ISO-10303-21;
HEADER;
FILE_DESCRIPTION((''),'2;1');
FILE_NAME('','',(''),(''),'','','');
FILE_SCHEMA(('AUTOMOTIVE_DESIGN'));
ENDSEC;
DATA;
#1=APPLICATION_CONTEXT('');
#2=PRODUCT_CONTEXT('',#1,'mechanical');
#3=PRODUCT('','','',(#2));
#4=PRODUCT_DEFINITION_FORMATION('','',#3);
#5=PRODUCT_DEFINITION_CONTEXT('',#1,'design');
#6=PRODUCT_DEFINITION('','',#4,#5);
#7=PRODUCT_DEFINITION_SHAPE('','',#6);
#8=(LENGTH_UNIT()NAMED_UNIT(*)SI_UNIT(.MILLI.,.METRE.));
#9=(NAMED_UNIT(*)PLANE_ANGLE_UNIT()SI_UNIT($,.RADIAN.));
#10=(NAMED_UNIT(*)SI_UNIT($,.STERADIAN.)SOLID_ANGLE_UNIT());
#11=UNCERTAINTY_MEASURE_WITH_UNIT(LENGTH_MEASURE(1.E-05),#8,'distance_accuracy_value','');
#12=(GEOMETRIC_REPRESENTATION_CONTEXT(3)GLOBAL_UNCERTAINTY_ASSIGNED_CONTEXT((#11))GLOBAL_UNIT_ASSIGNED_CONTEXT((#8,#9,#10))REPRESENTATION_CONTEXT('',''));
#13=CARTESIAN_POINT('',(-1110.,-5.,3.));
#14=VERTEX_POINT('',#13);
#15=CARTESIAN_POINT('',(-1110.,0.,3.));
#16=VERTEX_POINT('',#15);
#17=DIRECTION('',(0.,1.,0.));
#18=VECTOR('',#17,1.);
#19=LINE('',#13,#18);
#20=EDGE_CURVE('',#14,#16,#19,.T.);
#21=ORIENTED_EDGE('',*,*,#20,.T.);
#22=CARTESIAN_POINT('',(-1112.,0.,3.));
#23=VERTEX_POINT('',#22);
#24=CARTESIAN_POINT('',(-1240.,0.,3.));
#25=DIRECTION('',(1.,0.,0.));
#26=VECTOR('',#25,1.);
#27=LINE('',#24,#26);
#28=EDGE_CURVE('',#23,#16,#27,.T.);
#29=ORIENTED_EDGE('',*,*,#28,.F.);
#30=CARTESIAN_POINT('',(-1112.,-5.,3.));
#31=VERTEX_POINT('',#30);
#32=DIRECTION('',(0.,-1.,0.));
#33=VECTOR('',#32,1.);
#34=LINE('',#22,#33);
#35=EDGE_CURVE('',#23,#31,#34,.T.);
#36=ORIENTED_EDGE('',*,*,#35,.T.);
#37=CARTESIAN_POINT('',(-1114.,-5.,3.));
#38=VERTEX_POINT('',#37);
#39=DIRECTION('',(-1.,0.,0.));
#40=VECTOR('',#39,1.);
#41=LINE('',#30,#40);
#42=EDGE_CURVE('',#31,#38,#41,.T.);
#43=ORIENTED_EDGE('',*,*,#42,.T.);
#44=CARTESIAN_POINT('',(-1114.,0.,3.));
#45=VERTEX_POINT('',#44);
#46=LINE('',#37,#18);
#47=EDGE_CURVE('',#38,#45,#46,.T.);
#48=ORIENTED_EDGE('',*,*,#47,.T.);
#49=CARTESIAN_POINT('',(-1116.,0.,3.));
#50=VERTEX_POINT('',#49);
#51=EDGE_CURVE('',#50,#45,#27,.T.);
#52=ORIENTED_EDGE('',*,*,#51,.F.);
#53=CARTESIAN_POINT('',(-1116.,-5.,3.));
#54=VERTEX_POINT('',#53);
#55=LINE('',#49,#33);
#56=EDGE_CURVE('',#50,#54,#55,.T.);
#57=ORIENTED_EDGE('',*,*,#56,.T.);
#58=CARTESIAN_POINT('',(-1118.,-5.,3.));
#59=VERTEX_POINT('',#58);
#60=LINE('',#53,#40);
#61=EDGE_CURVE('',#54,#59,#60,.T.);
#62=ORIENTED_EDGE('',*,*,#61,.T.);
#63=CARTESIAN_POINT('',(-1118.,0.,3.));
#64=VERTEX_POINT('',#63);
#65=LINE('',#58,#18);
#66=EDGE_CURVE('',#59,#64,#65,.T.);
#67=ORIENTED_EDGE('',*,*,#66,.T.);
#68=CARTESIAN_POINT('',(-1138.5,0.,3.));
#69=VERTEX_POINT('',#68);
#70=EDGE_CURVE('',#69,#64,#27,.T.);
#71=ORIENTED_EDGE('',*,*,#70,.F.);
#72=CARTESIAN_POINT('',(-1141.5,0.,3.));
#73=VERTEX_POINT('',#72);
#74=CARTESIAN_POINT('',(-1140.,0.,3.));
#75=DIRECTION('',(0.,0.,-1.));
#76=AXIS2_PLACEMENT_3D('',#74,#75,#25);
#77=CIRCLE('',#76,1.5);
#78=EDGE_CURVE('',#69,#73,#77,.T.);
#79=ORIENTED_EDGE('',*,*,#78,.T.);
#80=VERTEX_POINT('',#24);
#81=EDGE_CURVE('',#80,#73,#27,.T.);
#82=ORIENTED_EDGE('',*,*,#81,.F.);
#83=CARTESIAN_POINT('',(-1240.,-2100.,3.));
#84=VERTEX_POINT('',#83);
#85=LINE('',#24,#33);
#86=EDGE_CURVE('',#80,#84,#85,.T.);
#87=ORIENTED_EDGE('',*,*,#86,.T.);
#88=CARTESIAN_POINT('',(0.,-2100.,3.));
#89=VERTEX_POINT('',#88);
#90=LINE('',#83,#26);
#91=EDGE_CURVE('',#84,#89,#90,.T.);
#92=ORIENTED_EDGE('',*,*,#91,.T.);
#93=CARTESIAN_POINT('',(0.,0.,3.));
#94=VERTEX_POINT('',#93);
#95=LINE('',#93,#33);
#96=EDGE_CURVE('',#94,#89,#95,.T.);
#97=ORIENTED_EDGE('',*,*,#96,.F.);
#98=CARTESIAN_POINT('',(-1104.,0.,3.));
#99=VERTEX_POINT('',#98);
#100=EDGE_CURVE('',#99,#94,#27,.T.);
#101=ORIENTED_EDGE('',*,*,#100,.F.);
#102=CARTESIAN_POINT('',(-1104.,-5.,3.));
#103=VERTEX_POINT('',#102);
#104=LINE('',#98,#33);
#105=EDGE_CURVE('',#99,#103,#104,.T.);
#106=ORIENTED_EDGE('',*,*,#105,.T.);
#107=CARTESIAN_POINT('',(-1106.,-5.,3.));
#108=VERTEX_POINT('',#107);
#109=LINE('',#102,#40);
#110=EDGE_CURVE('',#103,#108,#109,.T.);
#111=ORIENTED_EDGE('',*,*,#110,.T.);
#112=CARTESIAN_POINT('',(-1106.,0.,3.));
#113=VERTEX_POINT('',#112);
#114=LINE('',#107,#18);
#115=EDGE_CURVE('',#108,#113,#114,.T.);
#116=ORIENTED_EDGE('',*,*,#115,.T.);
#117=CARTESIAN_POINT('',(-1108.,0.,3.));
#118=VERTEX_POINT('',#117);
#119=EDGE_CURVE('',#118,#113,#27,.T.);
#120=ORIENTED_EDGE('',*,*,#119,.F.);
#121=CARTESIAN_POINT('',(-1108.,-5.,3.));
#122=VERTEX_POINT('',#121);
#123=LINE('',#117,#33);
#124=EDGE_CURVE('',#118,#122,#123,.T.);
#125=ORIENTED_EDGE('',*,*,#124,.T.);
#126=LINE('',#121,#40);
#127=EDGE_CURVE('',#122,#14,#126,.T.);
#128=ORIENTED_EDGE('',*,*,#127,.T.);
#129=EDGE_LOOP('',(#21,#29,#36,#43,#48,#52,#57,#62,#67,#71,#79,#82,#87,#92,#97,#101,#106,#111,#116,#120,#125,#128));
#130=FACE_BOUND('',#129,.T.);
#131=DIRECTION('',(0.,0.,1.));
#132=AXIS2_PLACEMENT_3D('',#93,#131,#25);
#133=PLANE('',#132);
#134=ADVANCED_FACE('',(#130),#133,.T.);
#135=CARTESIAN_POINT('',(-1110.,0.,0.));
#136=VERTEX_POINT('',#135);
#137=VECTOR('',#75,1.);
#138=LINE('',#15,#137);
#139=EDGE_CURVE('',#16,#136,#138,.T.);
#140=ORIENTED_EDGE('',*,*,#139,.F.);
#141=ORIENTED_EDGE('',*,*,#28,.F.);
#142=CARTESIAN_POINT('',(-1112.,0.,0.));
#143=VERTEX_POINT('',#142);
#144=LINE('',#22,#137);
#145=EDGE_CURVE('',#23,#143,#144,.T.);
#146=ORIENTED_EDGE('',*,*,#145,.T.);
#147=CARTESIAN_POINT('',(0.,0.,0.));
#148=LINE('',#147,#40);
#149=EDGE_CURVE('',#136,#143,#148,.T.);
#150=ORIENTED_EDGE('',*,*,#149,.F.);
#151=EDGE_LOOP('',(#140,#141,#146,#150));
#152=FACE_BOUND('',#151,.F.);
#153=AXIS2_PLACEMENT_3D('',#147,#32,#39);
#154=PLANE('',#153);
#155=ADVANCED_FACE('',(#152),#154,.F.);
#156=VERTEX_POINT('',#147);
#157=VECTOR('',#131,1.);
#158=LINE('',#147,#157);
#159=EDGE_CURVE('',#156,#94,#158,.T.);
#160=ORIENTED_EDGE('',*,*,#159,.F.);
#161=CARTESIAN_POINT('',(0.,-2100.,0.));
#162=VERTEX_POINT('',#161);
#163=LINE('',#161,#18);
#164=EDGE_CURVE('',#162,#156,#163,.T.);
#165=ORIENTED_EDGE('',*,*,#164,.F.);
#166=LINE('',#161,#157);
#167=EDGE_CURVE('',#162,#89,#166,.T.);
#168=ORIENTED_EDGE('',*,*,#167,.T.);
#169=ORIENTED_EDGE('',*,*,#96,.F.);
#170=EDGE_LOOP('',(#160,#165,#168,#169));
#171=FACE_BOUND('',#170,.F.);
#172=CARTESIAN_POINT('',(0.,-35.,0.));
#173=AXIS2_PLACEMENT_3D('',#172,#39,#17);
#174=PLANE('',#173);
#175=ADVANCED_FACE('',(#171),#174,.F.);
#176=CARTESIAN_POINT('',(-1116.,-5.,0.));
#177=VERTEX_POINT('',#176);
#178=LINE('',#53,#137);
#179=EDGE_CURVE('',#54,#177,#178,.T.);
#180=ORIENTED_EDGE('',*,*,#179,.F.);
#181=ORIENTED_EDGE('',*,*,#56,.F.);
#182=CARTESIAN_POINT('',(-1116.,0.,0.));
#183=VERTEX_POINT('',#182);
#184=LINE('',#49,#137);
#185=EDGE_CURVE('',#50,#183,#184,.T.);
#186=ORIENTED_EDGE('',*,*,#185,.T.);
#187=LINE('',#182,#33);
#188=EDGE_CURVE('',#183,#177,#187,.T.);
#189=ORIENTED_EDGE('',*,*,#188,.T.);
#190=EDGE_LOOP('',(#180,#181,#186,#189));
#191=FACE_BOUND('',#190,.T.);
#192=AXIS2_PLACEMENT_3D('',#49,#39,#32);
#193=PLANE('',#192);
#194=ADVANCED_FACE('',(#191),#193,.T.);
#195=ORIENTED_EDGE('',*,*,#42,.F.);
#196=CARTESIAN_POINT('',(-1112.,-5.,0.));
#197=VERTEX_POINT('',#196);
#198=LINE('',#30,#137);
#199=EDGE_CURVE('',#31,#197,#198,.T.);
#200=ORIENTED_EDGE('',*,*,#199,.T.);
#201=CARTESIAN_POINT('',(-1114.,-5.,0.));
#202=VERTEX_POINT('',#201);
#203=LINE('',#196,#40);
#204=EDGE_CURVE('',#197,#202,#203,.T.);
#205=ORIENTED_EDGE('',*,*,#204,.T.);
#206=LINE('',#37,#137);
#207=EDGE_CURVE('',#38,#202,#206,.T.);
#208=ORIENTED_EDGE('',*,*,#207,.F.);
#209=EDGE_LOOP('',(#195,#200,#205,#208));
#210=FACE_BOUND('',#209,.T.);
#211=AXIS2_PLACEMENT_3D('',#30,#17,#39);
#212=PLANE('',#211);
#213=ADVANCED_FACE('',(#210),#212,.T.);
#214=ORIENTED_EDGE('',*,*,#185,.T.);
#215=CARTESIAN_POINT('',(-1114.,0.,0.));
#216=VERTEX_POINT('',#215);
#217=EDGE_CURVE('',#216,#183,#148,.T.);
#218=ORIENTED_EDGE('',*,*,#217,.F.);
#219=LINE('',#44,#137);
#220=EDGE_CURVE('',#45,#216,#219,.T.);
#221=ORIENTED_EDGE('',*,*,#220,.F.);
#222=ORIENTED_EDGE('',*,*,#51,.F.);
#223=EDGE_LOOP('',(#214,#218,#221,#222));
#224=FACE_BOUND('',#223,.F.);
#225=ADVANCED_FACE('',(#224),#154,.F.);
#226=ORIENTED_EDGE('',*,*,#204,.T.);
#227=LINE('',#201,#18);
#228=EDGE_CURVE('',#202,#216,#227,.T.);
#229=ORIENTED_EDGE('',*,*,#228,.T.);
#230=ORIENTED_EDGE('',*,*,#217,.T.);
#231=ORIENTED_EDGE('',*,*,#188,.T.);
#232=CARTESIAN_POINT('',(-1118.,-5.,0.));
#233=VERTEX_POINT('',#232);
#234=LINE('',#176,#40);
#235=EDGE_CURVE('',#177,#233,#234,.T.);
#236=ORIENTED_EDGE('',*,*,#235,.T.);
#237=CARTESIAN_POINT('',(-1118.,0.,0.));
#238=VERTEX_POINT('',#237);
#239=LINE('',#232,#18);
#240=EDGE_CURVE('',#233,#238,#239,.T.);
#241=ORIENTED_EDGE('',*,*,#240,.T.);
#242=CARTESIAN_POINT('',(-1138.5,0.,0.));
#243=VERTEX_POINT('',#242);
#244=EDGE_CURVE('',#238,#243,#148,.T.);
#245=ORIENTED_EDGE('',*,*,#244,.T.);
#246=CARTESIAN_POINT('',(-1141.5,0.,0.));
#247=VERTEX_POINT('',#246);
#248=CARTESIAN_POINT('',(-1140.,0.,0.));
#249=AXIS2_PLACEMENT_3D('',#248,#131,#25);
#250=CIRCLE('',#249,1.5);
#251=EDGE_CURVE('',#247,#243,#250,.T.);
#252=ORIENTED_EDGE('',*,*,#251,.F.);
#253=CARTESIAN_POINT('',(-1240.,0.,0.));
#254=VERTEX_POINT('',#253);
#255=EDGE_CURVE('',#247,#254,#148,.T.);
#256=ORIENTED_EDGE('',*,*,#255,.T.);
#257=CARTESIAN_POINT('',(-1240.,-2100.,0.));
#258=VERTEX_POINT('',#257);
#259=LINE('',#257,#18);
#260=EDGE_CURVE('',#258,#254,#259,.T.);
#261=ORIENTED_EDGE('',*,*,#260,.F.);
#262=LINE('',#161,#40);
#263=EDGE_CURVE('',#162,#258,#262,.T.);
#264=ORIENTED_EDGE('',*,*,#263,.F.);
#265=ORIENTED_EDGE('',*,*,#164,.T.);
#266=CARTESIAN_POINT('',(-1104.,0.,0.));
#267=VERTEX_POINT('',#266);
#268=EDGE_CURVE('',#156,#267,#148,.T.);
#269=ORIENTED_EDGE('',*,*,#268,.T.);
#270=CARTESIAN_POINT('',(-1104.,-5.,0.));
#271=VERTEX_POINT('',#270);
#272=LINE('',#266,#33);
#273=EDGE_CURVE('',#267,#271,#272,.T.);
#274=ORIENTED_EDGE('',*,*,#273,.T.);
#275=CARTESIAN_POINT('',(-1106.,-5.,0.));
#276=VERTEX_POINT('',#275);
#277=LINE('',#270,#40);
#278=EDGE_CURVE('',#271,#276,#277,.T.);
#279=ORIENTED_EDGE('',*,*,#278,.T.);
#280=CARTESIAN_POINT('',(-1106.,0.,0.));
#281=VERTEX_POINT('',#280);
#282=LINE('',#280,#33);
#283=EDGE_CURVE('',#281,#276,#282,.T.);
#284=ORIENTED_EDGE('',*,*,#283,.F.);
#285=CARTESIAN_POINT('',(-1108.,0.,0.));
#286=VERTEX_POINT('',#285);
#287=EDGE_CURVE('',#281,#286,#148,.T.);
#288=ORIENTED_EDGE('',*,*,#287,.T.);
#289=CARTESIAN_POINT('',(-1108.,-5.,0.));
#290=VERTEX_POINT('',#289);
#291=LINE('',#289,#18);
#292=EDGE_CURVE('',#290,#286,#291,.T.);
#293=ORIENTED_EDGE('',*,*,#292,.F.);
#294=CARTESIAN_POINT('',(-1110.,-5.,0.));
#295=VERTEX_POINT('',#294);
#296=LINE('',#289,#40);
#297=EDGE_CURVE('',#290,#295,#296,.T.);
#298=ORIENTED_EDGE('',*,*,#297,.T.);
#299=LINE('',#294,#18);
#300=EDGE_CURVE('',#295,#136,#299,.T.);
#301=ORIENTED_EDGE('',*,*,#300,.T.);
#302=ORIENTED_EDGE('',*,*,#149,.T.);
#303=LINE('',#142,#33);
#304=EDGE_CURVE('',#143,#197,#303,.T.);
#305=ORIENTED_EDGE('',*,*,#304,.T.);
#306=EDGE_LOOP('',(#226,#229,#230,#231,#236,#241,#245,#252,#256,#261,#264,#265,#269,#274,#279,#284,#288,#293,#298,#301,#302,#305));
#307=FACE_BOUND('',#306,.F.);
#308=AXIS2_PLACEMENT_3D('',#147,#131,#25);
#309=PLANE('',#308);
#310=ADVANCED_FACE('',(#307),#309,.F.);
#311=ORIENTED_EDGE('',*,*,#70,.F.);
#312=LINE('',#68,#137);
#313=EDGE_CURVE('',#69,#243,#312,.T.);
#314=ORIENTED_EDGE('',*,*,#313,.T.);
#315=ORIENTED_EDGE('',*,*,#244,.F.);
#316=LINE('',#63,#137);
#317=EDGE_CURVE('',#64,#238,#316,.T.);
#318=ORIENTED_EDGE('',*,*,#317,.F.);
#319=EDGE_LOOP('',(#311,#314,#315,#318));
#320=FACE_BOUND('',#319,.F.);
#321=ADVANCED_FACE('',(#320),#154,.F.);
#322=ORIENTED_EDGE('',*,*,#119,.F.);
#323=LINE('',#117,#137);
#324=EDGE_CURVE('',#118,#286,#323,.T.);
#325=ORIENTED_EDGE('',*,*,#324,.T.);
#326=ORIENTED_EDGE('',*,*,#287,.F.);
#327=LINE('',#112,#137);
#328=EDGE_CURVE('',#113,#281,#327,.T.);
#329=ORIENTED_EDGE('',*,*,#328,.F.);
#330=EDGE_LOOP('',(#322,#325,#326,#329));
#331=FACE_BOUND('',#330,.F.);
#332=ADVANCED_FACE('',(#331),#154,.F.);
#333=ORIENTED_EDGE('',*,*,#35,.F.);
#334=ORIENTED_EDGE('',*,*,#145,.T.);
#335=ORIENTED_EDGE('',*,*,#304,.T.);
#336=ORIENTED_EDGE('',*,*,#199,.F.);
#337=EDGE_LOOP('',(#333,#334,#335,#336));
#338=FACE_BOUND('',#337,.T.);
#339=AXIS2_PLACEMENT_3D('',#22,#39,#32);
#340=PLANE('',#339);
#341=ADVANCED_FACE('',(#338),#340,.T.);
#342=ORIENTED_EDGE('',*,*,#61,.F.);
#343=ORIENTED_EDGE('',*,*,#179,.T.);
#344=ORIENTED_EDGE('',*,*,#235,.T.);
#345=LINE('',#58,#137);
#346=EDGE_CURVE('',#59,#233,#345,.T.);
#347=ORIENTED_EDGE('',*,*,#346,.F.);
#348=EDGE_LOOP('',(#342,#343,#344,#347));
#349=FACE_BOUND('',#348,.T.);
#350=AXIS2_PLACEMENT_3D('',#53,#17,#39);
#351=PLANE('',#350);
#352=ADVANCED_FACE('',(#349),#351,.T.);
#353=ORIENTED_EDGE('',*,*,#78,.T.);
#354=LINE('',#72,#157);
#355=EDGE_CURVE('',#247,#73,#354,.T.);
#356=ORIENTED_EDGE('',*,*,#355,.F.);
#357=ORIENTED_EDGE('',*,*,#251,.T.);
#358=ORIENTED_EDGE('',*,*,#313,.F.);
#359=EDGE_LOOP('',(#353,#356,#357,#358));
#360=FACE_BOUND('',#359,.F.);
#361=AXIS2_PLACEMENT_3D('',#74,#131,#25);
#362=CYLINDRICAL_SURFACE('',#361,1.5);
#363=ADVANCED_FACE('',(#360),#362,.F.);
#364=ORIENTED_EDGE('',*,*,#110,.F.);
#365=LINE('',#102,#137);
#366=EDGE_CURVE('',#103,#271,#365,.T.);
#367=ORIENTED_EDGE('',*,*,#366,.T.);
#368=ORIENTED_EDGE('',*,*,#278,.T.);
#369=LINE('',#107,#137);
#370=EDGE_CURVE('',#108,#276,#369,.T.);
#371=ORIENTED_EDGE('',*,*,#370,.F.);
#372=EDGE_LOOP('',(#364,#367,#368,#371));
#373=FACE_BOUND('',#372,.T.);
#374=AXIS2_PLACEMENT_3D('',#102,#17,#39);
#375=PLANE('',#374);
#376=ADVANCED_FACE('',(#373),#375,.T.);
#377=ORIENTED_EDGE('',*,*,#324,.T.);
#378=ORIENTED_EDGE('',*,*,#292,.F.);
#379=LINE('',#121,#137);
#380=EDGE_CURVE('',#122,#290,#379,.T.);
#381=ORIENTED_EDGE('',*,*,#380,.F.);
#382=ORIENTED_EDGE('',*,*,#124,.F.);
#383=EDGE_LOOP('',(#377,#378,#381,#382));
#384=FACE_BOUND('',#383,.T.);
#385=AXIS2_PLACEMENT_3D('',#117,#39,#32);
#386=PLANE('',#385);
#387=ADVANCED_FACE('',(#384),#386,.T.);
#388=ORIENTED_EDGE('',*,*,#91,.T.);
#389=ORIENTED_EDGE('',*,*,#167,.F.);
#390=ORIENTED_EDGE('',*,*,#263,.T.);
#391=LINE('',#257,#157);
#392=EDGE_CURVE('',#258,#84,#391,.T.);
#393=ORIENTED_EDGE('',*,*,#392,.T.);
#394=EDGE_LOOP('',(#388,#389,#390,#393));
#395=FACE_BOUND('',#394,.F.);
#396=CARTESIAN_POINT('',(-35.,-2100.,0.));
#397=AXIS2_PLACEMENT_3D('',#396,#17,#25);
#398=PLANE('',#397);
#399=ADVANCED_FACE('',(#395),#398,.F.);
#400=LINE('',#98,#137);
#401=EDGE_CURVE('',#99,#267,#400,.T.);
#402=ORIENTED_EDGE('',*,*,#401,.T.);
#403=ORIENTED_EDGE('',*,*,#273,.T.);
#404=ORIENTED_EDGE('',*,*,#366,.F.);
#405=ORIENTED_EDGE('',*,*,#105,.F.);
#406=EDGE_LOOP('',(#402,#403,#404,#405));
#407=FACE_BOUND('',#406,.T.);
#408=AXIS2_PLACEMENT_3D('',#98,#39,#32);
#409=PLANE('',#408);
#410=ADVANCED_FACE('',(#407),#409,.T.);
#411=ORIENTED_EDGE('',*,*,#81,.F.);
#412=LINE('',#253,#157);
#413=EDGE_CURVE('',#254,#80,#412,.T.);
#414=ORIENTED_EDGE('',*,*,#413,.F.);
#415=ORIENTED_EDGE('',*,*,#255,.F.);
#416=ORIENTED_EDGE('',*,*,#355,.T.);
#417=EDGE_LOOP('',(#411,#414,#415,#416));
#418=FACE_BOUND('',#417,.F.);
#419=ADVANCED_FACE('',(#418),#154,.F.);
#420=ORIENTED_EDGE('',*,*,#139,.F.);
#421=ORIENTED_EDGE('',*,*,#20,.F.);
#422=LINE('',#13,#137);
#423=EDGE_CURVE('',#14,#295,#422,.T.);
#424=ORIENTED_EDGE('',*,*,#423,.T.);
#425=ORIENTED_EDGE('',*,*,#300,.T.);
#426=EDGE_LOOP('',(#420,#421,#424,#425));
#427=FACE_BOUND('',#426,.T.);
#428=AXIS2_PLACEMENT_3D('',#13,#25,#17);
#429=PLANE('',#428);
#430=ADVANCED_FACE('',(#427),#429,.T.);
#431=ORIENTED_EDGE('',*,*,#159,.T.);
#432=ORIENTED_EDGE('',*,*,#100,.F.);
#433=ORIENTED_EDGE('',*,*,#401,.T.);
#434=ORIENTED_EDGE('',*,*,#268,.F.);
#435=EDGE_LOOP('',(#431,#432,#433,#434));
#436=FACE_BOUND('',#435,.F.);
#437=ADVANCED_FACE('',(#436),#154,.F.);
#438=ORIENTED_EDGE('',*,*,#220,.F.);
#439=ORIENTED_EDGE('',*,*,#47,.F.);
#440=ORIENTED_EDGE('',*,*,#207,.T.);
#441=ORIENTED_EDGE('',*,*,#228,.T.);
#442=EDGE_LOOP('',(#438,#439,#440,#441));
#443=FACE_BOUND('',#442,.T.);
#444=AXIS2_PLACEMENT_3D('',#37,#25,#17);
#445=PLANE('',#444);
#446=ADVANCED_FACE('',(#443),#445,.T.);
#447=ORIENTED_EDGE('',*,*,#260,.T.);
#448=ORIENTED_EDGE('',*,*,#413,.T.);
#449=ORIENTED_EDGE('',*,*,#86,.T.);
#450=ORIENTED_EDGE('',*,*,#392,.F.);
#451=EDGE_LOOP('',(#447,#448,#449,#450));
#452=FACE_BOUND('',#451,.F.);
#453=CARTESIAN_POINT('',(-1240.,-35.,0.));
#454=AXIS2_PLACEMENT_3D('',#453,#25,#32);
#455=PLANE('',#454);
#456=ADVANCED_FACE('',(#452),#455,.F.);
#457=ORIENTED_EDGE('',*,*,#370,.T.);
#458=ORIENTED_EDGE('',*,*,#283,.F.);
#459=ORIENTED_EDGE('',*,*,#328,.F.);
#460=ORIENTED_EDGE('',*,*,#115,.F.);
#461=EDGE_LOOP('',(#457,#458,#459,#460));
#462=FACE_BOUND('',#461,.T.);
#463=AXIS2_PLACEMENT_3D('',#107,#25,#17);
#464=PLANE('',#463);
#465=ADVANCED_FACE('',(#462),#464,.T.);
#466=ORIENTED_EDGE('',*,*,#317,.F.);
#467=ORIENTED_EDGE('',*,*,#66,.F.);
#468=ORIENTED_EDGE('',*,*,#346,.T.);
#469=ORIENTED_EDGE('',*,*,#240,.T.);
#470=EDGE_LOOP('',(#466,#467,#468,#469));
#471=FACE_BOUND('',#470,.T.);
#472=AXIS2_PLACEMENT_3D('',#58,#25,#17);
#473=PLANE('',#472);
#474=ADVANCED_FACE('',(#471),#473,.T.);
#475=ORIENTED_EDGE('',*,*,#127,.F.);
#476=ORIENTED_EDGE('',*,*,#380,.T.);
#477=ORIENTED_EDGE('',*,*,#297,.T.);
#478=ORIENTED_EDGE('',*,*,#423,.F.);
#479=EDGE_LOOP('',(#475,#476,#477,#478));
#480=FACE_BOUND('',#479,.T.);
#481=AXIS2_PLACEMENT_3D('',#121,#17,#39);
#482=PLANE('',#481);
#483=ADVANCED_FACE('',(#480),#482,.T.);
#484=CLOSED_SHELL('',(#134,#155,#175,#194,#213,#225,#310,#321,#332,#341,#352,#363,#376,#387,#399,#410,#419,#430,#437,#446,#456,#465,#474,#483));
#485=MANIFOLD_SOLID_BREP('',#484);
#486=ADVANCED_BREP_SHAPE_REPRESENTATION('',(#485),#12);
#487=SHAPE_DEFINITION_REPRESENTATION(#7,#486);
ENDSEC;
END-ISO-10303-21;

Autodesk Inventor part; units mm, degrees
ref_plane "YZ Plane" through (0, 0, 0) normal (1, 0, 0) x (0, 1, 0)
ref_plane "XZ Plane" through (0, 0, 0) normal (0, 1, 0) x (-1, 0, 0)
ref_plane "XY Plane" through (0, 0, 0) normal (0, 0, 1) x (1, 0, 0)
sketch "Sketch1" plane through (0, 0, 0) normal (0, 0, 1) x (1, 0, 0)
  line L0 (0, 0) -> (-1240, 0)
  line L1 (-1240, 0) -> (-1240, -2100)
  line L2 (-1240, -2100) -> (0, -2100)
  line L3 (0, -2100) -> (0, 0)
  line L4 (0, 0) -> (-35, 0)
  line L5 (-35, 0) -> (-35, -35)
  line L6 (-35, -35) -> (0, -35)
  line L7 (0, -35) -> (0, 0)
  line L8 (0, -2100) -> (-35, -2100)
  line L9 (-35, -2100) -> (-35, -2065)
  line L10 (-35, -2065) -> (0, -2065)
  line L11 (0, -2065) -> (0, -2100)
  line L12 (-1240, 0) -> (-1205, 0)
  line L13 (-1205, 0) -> (-1205, -35)
  line L14 (-1205, -35) -> (-1240, -35)
  line L15 (-1240, -35) -> (-1240, 0)
  line L16 (-1240, -2100) -> (-1205, -2100)
  line L17 (-1205, -2100) -> (-1205, -2065)
  line L18 (-1205, -2065) -> (-1240, -2065)
  line L19 (-1240, -2065) -> (-1240, -2100)
  line L20 (-1095, -2100) -> (-1005, -2100)
  line L21 (-1005, -2100) -> (-1005, -2065)
  line L22 (-1005, -2065) -> (-1095, -2065)
  line L23 (-1095, -2065) -> (-1095, -2100)
  line L24 (-1095, 0) -> (-1005, 0)
  line L25 (-1005, 0) -> (-1005, -35)
  line L26 (-1005, -35) -> (-1095, -35)
  line L27 (-1095, -35) -> (-1095, 0)
  point P0 (0, -35)
  point P1 (0, -2065)
  point P2 (-1005, -2100)
  point P3 (-1005, 0)
  dimension "d22" = 1240
  dimension "d23" = 2100
  dimension "d24" = 35
  dimension "d25" = 35
  dimension "d28" = 90
  dimension "d29" = 970
extrude "Plate1" add sketch "Sketch1" along normal blind 3
sketch "Sketch5" plane through (0, 0, 3) normal (0, 0, 1) x (1, 0, 0)
  line L0 (-1135, 0) -> (-1133, 0)
  line L1 (-1131, 0) -> (-1129, 0)
  circle A0 centre (-1140, 0) radius 1.5
  line L2 (-1125, 0) -> (-1125, -5)
  line L3 (-1123, 0) -> (-1121.9884, -4.6072)
  arc A1 (-1121.9884, -4.6072) -> (-1121.0116, -4.6072) centre (-1121.5, -4.5) ccw
  line L4 (-1123, 0) -> (-1120, 0)
  line L5 (-1125, 0) -> (-1123, 0) construction
  line L6 (-1120, 0) -> (-1118, 0) construction
  line L7 (-1121.0116, -4.6072) -> (-1120, 0)
  line L8 (-1118, -5) -> (-1118, 0)
  line L9 (-1118, 0) -> (-1116, 0)
  line L10 (-1116, 0) -> (-1116, -5)
  line L11 (-1116, -5) -> (-1118, -5)
  line L12 (-1116, -2.5) -> (-1114, -2.5) construction
  line L13 (-1129, -5) -> (-1131, -5)
  line L14 (-1125, -5) -> (-1127, -5)
  line L15 (-1129, -2.5) -> (-1127, -2.5) construction
  line L16 (-1133, -2.5) -> (-1131, -2.5) construction
  line L17 (-1127, 0) -> (-1125, 0)
  line L18 (-1127, -5) -> (-1127, 0)
  line L19 (-1129, 0) -> (-1129, -5)
  line L20 (-1131, -5) -> (-1131, 0)
  line L21 (-1133, 0) -> (-1133, -5)
  line L22 (-1135, -5) -> (-1135, 0)
  line L23 (-1133, -5) -> (-1135, -5)
  line L24 (-1114, -5) -> (-1114, 0)
  line L25 (-1112, -5) -> (-1114, -5)
  line L26 (-1114, 0) -> (-1112, 0)
  line L27 (-1112, 0) -> (-1112, -5)
  line L28 (-1112, -2.5) -> (-1110, -2.5) construction
  line L29 (-1110, -5) -> (-1110, 0)
  line L30 (-1110, 0) -> (-1108, 0)
  line L31 (-1108, 0) -> (-1108, -5)
  line L32 (-1108, -5) -> (-1110, -5)
  line L33 (-1240, 0) -> (0, 0) projected
  line L34 (-1104, -5) -> (-1106, -5)
  line L35 (-1106, -5) -> (-1106, 0)
  line L36 (-1104, 0) -> (-1104, -5)
  line L37 (-1106, 0) -> (-1104, 0)
  line L38 (-1106, -2.5) -> (-1108, -2.5)
  point P0 (-1121.5, 0)
  point P1 (-1105, 0)
  point P2 (-1104, 0)
  point P3 (-1106, 0)
  dimension "d30" = 2
  dimension "d31" = 5
  dimension "d32" = 0.5
  dimension "d33" = 3
  dimension "d34" = 2
  dimension "d35" = 5
  dimension "d36" = 3
  dimension "d37" = 5
  dimension "d38" = 100
extrude "Cut1" cut sketch "Sketch5" against normal blind 3 contours L30 L31 L32 L29 | L26 L27 L25 L24 | L9 L10 L11 L8 | A0 L33 | L33 A0 | L33 L36 L34 L35
equation "\"d24\" = d25"
equation "\"d32\" = 0.25 * d30"
equation "\"d39\" = Thickness"
equation "\"d2\" = Thickness"
equation "\"BendReliefWidth\" = Thickness"
equation "\"BendReliefDepth\" = 0.5 * Thickness"
equation "\"CornerReliefSize\" = 4 * Thickness"
equation "\"MinimumRemnant\" = 2 * Thickness"
equation "\"TransitionRadius\" = BendRadius"
equation "\"JacobiRadiusSize\" = BendRadius"
equation "\"GapSize\" = Thickness"
equation "\"Thickness\" = 3"
equation "\"BendRadius\" = 5"
properties part number "GnG frame 1.1 floor sheet 4" material "Stainless Steel"
